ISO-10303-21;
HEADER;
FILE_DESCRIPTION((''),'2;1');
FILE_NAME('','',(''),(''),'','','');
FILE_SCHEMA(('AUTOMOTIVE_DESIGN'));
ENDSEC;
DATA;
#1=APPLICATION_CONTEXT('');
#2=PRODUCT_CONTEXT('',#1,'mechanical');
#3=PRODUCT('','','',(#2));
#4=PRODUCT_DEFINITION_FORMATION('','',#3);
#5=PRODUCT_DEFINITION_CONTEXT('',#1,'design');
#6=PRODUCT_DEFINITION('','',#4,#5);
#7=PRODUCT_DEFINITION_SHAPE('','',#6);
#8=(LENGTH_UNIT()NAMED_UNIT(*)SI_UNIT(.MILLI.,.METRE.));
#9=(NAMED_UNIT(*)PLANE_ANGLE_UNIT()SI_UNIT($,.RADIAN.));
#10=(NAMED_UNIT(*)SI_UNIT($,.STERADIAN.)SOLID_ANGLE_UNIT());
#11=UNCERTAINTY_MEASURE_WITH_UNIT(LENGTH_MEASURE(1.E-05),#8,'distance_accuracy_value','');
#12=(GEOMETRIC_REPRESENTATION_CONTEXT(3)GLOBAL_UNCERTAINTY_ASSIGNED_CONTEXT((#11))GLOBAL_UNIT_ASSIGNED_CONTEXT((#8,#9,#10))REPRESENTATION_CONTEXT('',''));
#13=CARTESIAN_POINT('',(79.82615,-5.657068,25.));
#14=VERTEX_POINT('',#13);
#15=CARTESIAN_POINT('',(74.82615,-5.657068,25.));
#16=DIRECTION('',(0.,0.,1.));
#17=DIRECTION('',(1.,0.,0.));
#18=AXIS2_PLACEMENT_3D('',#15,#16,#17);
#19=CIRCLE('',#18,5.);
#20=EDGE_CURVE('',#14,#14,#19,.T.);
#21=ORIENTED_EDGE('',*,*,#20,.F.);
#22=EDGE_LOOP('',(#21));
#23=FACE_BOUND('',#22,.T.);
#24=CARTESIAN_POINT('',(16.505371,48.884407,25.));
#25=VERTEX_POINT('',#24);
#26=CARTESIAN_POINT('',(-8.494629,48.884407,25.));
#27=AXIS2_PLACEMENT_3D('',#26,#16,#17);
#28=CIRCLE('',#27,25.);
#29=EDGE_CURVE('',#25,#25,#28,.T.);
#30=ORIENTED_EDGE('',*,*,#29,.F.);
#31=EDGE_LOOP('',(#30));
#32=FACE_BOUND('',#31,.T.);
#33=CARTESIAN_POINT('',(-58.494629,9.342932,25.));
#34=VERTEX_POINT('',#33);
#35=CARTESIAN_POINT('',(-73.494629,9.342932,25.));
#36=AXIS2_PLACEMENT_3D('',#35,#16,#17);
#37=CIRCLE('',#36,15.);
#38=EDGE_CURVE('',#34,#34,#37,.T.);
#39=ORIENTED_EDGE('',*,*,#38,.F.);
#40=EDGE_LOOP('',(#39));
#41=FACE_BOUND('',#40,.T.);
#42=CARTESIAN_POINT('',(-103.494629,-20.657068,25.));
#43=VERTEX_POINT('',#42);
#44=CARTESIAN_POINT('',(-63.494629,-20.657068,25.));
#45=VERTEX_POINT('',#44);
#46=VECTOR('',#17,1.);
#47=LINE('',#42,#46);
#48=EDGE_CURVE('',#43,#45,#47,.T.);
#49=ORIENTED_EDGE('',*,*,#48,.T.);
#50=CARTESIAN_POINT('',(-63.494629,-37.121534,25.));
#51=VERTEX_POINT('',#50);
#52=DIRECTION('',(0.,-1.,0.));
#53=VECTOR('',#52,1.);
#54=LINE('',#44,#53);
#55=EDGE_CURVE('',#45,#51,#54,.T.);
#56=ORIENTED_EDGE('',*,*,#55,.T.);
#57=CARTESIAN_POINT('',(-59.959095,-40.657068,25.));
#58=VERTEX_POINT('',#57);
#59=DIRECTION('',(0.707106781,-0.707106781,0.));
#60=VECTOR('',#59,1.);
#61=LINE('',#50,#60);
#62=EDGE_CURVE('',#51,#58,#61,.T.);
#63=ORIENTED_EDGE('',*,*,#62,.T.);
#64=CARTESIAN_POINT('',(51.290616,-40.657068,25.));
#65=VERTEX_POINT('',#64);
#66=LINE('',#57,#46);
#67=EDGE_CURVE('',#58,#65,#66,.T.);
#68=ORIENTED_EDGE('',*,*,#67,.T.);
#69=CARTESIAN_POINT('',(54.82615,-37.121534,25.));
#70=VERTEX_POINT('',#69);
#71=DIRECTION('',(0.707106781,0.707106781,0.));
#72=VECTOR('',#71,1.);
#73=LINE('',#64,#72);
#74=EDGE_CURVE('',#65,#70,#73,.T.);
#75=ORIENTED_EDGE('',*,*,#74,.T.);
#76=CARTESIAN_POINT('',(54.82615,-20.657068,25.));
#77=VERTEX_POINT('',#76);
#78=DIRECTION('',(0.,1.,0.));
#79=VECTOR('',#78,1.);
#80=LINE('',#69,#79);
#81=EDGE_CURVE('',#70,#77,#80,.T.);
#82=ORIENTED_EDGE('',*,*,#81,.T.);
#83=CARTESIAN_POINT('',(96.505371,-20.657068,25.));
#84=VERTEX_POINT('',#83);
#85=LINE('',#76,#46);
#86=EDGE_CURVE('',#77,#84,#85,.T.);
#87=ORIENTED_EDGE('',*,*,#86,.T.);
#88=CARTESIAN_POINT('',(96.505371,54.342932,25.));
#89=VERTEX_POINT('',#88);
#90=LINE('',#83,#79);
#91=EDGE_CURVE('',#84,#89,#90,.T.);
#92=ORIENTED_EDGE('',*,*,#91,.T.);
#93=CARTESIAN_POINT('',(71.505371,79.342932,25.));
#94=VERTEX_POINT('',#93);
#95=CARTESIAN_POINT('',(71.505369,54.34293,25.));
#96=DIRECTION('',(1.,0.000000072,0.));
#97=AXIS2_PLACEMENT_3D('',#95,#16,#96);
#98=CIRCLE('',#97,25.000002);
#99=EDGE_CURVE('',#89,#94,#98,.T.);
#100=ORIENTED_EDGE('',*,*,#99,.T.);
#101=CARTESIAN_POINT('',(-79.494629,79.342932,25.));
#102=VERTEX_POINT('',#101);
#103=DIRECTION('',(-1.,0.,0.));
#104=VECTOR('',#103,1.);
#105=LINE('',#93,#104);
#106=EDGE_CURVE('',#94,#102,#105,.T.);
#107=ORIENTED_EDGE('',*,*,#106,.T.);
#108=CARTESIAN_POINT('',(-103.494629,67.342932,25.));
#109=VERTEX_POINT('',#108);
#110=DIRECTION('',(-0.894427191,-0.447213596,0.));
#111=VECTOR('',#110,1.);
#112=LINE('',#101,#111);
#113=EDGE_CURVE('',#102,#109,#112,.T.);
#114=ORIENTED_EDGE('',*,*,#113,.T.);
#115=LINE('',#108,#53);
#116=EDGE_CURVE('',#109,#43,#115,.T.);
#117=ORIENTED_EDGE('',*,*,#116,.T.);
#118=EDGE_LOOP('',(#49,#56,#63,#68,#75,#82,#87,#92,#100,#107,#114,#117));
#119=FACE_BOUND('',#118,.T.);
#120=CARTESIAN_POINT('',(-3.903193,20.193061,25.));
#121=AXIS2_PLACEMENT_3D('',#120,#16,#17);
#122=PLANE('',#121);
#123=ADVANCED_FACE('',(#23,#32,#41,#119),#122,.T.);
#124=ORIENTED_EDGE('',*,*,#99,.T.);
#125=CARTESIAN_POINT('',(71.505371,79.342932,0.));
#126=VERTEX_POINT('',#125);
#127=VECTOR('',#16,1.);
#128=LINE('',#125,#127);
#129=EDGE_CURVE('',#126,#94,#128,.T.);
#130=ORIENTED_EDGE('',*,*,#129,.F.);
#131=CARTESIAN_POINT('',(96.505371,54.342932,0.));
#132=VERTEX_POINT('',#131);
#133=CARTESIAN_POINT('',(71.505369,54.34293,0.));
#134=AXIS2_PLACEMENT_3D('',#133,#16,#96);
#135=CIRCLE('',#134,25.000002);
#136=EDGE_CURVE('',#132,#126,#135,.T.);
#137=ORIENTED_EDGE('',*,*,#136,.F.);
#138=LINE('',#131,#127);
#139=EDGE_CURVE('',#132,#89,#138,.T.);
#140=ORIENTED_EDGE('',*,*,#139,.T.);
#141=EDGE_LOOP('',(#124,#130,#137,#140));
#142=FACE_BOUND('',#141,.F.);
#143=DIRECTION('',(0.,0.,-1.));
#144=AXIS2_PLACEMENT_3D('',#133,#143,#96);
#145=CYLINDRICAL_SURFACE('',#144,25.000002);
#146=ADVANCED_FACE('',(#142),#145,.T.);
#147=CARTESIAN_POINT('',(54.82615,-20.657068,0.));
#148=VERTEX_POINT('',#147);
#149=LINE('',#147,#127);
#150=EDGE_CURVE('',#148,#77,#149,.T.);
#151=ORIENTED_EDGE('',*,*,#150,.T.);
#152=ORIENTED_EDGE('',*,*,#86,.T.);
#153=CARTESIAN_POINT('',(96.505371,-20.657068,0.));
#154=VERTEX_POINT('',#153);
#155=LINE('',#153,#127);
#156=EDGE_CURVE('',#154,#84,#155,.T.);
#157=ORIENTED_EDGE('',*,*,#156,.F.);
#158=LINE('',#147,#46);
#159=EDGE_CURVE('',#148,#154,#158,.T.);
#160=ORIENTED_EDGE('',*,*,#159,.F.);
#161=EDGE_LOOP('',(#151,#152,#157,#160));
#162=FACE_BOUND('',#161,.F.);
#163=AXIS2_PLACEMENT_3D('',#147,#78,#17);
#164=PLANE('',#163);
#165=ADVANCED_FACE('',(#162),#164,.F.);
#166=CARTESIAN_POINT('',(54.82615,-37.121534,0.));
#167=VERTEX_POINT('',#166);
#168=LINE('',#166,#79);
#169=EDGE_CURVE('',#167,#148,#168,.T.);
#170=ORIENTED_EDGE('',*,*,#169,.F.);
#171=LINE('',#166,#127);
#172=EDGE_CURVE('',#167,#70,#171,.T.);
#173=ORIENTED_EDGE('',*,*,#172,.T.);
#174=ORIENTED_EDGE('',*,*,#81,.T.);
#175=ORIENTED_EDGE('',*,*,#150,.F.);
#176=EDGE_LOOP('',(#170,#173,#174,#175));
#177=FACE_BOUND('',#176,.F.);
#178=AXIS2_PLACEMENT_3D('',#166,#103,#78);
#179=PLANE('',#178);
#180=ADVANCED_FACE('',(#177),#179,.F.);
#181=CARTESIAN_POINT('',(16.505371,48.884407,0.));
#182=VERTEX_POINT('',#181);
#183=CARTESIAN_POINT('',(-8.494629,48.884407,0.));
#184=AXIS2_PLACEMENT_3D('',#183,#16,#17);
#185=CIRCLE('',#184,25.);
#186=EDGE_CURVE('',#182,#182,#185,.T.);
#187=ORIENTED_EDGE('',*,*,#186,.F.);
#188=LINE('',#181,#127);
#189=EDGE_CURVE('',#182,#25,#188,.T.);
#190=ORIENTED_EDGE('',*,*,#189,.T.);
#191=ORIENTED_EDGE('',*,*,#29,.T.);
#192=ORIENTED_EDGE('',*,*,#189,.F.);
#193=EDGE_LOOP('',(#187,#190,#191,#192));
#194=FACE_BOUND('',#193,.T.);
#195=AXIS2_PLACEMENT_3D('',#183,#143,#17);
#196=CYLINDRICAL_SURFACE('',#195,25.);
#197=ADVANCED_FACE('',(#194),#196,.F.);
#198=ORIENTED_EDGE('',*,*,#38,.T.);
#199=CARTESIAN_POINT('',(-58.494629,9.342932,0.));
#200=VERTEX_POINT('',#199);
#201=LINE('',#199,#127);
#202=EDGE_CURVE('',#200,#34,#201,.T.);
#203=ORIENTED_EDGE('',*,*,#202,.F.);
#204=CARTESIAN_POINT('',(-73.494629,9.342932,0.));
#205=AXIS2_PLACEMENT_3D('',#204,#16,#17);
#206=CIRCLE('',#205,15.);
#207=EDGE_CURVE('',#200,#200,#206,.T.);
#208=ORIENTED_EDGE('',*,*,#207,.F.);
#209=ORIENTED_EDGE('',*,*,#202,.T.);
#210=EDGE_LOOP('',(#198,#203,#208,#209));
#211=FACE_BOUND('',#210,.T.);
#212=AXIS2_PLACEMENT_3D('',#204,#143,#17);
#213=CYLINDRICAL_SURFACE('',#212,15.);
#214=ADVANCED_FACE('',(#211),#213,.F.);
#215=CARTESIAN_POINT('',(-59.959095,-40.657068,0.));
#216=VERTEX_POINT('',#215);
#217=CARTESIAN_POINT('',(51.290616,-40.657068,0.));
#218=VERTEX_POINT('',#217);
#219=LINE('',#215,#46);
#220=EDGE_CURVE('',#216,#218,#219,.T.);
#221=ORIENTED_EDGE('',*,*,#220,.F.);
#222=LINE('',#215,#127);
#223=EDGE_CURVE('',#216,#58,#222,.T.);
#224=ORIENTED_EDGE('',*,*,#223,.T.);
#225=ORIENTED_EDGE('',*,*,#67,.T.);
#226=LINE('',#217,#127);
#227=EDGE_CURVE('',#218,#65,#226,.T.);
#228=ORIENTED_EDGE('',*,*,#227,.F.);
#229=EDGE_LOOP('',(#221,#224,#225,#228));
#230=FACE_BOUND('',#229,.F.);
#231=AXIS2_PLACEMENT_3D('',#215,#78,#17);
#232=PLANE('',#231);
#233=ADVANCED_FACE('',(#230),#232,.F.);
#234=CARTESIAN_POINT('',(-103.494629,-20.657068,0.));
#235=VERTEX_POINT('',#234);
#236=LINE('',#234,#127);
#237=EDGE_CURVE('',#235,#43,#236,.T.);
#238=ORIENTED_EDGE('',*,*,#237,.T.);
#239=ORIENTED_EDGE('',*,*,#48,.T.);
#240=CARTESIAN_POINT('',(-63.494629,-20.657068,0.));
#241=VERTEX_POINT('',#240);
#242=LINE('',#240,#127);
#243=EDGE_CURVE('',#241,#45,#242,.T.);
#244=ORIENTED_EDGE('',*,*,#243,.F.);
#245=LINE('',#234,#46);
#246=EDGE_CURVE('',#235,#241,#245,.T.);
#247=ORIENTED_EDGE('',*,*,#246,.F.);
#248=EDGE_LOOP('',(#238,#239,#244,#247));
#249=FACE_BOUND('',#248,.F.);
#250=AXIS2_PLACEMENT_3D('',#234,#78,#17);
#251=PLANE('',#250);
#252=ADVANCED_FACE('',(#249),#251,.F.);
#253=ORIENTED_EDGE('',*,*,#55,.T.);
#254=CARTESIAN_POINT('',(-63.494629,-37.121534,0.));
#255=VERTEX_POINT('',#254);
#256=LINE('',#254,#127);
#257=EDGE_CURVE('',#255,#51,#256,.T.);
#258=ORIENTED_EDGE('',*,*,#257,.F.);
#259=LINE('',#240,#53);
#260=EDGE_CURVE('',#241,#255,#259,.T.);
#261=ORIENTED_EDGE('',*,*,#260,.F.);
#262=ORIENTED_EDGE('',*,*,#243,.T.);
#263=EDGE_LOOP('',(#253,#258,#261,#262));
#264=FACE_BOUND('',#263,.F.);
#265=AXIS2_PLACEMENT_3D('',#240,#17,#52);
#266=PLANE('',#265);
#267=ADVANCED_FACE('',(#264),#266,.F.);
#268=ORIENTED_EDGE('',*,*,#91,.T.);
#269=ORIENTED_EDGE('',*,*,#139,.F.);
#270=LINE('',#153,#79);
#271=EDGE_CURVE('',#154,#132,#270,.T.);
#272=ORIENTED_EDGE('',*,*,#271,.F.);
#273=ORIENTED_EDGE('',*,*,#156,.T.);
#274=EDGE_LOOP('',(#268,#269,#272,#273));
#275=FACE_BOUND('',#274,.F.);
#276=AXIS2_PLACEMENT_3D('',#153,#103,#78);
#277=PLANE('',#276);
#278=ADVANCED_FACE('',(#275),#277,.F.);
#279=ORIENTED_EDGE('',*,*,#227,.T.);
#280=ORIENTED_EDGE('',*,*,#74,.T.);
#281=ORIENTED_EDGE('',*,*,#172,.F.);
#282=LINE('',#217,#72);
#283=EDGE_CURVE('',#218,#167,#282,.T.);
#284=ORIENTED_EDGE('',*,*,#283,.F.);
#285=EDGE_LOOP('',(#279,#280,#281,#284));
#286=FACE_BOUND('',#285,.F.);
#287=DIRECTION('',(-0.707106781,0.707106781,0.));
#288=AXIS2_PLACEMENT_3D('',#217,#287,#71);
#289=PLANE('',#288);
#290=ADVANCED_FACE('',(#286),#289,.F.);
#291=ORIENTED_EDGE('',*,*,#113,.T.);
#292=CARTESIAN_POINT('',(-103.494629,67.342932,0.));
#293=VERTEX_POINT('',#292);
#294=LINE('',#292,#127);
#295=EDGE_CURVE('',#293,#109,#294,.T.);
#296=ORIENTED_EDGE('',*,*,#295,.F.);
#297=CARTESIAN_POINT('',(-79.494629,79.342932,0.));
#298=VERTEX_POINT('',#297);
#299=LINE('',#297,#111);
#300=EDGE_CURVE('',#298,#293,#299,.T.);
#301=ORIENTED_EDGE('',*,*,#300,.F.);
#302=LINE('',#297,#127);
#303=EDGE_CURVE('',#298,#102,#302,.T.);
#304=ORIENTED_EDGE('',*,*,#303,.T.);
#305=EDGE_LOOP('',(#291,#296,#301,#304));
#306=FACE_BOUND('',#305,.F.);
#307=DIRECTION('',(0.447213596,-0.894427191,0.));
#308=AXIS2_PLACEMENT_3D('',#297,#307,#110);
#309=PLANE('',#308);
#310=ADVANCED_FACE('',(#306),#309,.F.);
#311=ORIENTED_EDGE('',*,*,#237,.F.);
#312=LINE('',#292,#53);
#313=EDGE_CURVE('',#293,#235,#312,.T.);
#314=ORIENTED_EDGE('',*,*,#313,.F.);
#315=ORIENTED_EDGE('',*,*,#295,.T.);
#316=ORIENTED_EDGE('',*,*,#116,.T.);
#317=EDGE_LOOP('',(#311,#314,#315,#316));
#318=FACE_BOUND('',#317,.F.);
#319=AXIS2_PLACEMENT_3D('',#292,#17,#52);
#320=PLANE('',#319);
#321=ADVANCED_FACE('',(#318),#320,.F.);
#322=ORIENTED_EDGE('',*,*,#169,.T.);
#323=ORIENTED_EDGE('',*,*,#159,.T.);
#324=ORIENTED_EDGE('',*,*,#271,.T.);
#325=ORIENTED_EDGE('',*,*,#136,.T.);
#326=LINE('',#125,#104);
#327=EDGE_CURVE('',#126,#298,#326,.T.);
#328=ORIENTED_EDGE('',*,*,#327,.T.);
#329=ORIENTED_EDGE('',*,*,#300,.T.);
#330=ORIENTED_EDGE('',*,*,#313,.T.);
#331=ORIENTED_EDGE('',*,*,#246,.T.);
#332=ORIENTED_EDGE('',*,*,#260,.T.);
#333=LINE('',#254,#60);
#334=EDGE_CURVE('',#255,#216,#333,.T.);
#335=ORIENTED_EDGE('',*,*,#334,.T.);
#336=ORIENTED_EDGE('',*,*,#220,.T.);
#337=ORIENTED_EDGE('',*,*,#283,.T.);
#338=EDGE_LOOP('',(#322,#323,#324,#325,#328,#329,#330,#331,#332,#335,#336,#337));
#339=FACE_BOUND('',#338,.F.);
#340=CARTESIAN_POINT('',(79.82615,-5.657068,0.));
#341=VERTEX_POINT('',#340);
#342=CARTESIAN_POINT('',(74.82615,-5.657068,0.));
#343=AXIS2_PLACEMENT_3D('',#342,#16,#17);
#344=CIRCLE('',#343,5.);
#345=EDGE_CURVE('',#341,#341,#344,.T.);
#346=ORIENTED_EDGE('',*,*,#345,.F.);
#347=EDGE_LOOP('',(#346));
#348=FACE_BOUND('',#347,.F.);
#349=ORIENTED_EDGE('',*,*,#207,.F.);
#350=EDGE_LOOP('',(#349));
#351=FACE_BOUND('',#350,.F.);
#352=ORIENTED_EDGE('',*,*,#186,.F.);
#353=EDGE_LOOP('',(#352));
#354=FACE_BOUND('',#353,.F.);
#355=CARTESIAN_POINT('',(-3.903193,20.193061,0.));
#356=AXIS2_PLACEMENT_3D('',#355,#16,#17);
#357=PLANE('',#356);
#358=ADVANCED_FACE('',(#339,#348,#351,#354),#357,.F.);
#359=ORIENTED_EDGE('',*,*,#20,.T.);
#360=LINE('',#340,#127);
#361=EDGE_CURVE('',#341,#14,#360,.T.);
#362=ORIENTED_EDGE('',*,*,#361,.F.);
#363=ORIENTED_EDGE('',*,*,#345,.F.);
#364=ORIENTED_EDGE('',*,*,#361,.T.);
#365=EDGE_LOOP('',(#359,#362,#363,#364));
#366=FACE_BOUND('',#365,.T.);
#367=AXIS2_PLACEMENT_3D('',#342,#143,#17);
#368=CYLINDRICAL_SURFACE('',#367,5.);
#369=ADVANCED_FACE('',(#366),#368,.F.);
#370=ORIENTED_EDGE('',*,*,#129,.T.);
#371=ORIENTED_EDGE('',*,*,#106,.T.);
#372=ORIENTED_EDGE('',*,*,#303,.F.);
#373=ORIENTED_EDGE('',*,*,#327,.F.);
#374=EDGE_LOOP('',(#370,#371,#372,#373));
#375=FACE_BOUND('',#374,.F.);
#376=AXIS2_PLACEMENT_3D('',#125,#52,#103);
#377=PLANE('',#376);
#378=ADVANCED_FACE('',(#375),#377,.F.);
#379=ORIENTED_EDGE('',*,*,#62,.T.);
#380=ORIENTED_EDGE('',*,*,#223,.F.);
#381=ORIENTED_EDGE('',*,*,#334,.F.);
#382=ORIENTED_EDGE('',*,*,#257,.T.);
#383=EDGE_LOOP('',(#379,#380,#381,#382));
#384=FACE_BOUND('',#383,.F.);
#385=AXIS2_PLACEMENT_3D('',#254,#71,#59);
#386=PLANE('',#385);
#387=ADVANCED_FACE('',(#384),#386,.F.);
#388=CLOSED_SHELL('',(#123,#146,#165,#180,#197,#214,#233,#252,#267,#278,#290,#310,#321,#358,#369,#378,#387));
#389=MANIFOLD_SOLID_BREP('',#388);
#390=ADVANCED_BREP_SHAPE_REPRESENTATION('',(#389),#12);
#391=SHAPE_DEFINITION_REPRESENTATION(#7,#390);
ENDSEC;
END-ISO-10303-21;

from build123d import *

# Parameters (mm, degrees)
F0_R     = 15
F0_R_2   = 5
F0_R_3   = 25
F1_DEPTH = 25


with BuildPart() as f1:
    # F0 (on Top) → F1 (new body)
    with BuildSketch(Plane.XY):
        with BuildLine():
            Line((-63.494629, -20.657068), (-63.494629, -37.121534))
            Line((-63.494629, -37.121534), (-59.959095, -40.657068))
            Line((-59.959095, -40.657068), (51.290616, -40.657068))
            Line((51.290616, -40.657068), (54.82615, -37.121534))
            Line((54.82615, -37.121534), (54.82615, -20.657068))
            Line((54.82615, -20.657068), (74.82615, -20.657068))
            Line((74.82615, -20.657068), (96.505371, -20.657068))
            Line((96.505371, -20.657068), (96.505371, -5.657068))
            Line((96.505371, -5.657068), (96.505371, 54.342932))
            ThreePointArc((96.505371, 54.342932), (89.18304, 72.020601), (71.505371, 79.342932))
            Line((71.505371, 79.342932), (-8.494629, 79.342932))
            Line((-8.494629, 79.342932), (-79.494629, 79.342932))
            Line((-79.494629, 79.342932), (-103.494629, 67.342932))
            Line((-103.494629, 67.342932), (-103.494629, 9.342932))
            Line((-103.494629, 9.342932), (-103.494629, -20.657068))
            Line((-103.494629, -20.657068), (-73.494629, -20.657068))
            Line((-73.494629, -20.657068), (-63.494629, -20.657068))
        make_face()
        with Locations((-73.494629, 9.342932)):
            Circle(F0_R, mode=Mode.SUBTRACT)
        with Locations((74.82615, -5.657068)):
            Circle(F0_R_2, mode=Mode.SUBTRACT)
        with Locations((-8.494629, 48.884407)):
            Circle(F0_R_3, mode=Mode.SUBTRACT)
    extrude(amount=F1_DEPTH)


solid = f1.part
